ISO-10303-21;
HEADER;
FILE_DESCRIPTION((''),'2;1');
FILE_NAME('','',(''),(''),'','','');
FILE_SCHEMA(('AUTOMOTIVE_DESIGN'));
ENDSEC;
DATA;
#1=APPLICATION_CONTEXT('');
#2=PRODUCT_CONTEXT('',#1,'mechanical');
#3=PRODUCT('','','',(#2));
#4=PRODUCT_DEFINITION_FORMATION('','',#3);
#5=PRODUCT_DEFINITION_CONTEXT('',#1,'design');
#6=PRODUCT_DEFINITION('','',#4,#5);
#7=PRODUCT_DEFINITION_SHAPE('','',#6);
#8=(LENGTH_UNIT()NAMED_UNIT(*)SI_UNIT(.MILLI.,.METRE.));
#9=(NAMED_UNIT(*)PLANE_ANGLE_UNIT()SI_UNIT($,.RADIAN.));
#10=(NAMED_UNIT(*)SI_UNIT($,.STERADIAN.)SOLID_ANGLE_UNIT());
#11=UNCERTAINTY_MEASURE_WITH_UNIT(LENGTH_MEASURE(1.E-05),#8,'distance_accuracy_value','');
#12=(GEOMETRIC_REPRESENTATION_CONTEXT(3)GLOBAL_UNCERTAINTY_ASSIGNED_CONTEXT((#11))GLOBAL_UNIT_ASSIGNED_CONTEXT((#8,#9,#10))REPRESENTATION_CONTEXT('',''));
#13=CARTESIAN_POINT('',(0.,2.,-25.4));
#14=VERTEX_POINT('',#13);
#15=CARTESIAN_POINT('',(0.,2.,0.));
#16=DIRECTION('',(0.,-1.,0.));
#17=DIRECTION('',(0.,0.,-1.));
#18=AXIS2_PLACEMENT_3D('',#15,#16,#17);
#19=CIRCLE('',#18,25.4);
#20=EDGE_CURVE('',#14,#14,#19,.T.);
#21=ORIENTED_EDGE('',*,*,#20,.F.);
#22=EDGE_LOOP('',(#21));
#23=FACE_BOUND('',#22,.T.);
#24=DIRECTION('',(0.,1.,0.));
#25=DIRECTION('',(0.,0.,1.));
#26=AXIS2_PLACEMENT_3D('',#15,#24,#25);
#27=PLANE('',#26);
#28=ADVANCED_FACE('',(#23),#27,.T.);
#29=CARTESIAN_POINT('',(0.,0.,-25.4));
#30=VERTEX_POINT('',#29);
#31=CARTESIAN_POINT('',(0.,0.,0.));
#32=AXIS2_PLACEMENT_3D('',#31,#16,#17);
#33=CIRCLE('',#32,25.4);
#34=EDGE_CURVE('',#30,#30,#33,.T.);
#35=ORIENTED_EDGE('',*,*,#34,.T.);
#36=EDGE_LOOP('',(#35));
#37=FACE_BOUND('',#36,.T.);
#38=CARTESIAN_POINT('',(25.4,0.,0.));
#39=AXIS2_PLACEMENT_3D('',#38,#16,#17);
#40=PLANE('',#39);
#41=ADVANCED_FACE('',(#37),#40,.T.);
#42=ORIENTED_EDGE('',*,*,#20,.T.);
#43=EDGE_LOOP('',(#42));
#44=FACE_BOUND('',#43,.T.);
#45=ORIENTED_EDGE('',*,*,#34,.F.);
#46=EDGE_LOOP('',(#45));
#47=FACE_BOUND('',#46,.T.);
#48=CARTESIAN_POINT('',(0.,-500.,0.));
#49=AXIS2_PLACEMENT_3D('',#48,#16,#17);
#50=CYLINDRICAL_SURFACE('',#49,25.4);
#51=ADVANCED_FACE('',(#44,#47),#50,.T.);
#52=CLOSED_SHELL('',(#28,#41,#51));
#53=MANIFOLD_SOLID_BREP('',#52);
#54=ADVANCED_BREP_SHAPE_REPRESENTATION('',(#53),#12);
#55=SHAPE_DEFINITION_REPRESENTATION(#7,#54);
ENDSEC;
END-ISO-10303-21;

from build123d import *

# Parameters (mm, degrees)
RECONSTRUCTED_NOMINAL_AXIAL_PROFILE_W = 25.4
RECONSTRUCTED_NOMINAL_AXIAL_PROFILE_H = 2


with BuildPart() as part:
    # Reconstructed nominal axial profile → Native revolved geometry (revolve)
    with BuildSketch(Plane.XY, mode=Mode.PRIVATE) as native_revolved_geometry_sk:
        with Locations((12.7, 1)):
            Rectangle(RECONSTRUCTED_NOMINAL_AXIAL_PROFILE_W, RECONSTRUCTED_NOMINAL_AXIAL_PROFILE_H)
    revolve(native_revolved_geometry_sk.sketch.rotate(Axis((0, -500, 0), (0, 1, 0)), 90), axis=Axis((0, -500, 0), (0, 1, 0)))


solid = part.part
